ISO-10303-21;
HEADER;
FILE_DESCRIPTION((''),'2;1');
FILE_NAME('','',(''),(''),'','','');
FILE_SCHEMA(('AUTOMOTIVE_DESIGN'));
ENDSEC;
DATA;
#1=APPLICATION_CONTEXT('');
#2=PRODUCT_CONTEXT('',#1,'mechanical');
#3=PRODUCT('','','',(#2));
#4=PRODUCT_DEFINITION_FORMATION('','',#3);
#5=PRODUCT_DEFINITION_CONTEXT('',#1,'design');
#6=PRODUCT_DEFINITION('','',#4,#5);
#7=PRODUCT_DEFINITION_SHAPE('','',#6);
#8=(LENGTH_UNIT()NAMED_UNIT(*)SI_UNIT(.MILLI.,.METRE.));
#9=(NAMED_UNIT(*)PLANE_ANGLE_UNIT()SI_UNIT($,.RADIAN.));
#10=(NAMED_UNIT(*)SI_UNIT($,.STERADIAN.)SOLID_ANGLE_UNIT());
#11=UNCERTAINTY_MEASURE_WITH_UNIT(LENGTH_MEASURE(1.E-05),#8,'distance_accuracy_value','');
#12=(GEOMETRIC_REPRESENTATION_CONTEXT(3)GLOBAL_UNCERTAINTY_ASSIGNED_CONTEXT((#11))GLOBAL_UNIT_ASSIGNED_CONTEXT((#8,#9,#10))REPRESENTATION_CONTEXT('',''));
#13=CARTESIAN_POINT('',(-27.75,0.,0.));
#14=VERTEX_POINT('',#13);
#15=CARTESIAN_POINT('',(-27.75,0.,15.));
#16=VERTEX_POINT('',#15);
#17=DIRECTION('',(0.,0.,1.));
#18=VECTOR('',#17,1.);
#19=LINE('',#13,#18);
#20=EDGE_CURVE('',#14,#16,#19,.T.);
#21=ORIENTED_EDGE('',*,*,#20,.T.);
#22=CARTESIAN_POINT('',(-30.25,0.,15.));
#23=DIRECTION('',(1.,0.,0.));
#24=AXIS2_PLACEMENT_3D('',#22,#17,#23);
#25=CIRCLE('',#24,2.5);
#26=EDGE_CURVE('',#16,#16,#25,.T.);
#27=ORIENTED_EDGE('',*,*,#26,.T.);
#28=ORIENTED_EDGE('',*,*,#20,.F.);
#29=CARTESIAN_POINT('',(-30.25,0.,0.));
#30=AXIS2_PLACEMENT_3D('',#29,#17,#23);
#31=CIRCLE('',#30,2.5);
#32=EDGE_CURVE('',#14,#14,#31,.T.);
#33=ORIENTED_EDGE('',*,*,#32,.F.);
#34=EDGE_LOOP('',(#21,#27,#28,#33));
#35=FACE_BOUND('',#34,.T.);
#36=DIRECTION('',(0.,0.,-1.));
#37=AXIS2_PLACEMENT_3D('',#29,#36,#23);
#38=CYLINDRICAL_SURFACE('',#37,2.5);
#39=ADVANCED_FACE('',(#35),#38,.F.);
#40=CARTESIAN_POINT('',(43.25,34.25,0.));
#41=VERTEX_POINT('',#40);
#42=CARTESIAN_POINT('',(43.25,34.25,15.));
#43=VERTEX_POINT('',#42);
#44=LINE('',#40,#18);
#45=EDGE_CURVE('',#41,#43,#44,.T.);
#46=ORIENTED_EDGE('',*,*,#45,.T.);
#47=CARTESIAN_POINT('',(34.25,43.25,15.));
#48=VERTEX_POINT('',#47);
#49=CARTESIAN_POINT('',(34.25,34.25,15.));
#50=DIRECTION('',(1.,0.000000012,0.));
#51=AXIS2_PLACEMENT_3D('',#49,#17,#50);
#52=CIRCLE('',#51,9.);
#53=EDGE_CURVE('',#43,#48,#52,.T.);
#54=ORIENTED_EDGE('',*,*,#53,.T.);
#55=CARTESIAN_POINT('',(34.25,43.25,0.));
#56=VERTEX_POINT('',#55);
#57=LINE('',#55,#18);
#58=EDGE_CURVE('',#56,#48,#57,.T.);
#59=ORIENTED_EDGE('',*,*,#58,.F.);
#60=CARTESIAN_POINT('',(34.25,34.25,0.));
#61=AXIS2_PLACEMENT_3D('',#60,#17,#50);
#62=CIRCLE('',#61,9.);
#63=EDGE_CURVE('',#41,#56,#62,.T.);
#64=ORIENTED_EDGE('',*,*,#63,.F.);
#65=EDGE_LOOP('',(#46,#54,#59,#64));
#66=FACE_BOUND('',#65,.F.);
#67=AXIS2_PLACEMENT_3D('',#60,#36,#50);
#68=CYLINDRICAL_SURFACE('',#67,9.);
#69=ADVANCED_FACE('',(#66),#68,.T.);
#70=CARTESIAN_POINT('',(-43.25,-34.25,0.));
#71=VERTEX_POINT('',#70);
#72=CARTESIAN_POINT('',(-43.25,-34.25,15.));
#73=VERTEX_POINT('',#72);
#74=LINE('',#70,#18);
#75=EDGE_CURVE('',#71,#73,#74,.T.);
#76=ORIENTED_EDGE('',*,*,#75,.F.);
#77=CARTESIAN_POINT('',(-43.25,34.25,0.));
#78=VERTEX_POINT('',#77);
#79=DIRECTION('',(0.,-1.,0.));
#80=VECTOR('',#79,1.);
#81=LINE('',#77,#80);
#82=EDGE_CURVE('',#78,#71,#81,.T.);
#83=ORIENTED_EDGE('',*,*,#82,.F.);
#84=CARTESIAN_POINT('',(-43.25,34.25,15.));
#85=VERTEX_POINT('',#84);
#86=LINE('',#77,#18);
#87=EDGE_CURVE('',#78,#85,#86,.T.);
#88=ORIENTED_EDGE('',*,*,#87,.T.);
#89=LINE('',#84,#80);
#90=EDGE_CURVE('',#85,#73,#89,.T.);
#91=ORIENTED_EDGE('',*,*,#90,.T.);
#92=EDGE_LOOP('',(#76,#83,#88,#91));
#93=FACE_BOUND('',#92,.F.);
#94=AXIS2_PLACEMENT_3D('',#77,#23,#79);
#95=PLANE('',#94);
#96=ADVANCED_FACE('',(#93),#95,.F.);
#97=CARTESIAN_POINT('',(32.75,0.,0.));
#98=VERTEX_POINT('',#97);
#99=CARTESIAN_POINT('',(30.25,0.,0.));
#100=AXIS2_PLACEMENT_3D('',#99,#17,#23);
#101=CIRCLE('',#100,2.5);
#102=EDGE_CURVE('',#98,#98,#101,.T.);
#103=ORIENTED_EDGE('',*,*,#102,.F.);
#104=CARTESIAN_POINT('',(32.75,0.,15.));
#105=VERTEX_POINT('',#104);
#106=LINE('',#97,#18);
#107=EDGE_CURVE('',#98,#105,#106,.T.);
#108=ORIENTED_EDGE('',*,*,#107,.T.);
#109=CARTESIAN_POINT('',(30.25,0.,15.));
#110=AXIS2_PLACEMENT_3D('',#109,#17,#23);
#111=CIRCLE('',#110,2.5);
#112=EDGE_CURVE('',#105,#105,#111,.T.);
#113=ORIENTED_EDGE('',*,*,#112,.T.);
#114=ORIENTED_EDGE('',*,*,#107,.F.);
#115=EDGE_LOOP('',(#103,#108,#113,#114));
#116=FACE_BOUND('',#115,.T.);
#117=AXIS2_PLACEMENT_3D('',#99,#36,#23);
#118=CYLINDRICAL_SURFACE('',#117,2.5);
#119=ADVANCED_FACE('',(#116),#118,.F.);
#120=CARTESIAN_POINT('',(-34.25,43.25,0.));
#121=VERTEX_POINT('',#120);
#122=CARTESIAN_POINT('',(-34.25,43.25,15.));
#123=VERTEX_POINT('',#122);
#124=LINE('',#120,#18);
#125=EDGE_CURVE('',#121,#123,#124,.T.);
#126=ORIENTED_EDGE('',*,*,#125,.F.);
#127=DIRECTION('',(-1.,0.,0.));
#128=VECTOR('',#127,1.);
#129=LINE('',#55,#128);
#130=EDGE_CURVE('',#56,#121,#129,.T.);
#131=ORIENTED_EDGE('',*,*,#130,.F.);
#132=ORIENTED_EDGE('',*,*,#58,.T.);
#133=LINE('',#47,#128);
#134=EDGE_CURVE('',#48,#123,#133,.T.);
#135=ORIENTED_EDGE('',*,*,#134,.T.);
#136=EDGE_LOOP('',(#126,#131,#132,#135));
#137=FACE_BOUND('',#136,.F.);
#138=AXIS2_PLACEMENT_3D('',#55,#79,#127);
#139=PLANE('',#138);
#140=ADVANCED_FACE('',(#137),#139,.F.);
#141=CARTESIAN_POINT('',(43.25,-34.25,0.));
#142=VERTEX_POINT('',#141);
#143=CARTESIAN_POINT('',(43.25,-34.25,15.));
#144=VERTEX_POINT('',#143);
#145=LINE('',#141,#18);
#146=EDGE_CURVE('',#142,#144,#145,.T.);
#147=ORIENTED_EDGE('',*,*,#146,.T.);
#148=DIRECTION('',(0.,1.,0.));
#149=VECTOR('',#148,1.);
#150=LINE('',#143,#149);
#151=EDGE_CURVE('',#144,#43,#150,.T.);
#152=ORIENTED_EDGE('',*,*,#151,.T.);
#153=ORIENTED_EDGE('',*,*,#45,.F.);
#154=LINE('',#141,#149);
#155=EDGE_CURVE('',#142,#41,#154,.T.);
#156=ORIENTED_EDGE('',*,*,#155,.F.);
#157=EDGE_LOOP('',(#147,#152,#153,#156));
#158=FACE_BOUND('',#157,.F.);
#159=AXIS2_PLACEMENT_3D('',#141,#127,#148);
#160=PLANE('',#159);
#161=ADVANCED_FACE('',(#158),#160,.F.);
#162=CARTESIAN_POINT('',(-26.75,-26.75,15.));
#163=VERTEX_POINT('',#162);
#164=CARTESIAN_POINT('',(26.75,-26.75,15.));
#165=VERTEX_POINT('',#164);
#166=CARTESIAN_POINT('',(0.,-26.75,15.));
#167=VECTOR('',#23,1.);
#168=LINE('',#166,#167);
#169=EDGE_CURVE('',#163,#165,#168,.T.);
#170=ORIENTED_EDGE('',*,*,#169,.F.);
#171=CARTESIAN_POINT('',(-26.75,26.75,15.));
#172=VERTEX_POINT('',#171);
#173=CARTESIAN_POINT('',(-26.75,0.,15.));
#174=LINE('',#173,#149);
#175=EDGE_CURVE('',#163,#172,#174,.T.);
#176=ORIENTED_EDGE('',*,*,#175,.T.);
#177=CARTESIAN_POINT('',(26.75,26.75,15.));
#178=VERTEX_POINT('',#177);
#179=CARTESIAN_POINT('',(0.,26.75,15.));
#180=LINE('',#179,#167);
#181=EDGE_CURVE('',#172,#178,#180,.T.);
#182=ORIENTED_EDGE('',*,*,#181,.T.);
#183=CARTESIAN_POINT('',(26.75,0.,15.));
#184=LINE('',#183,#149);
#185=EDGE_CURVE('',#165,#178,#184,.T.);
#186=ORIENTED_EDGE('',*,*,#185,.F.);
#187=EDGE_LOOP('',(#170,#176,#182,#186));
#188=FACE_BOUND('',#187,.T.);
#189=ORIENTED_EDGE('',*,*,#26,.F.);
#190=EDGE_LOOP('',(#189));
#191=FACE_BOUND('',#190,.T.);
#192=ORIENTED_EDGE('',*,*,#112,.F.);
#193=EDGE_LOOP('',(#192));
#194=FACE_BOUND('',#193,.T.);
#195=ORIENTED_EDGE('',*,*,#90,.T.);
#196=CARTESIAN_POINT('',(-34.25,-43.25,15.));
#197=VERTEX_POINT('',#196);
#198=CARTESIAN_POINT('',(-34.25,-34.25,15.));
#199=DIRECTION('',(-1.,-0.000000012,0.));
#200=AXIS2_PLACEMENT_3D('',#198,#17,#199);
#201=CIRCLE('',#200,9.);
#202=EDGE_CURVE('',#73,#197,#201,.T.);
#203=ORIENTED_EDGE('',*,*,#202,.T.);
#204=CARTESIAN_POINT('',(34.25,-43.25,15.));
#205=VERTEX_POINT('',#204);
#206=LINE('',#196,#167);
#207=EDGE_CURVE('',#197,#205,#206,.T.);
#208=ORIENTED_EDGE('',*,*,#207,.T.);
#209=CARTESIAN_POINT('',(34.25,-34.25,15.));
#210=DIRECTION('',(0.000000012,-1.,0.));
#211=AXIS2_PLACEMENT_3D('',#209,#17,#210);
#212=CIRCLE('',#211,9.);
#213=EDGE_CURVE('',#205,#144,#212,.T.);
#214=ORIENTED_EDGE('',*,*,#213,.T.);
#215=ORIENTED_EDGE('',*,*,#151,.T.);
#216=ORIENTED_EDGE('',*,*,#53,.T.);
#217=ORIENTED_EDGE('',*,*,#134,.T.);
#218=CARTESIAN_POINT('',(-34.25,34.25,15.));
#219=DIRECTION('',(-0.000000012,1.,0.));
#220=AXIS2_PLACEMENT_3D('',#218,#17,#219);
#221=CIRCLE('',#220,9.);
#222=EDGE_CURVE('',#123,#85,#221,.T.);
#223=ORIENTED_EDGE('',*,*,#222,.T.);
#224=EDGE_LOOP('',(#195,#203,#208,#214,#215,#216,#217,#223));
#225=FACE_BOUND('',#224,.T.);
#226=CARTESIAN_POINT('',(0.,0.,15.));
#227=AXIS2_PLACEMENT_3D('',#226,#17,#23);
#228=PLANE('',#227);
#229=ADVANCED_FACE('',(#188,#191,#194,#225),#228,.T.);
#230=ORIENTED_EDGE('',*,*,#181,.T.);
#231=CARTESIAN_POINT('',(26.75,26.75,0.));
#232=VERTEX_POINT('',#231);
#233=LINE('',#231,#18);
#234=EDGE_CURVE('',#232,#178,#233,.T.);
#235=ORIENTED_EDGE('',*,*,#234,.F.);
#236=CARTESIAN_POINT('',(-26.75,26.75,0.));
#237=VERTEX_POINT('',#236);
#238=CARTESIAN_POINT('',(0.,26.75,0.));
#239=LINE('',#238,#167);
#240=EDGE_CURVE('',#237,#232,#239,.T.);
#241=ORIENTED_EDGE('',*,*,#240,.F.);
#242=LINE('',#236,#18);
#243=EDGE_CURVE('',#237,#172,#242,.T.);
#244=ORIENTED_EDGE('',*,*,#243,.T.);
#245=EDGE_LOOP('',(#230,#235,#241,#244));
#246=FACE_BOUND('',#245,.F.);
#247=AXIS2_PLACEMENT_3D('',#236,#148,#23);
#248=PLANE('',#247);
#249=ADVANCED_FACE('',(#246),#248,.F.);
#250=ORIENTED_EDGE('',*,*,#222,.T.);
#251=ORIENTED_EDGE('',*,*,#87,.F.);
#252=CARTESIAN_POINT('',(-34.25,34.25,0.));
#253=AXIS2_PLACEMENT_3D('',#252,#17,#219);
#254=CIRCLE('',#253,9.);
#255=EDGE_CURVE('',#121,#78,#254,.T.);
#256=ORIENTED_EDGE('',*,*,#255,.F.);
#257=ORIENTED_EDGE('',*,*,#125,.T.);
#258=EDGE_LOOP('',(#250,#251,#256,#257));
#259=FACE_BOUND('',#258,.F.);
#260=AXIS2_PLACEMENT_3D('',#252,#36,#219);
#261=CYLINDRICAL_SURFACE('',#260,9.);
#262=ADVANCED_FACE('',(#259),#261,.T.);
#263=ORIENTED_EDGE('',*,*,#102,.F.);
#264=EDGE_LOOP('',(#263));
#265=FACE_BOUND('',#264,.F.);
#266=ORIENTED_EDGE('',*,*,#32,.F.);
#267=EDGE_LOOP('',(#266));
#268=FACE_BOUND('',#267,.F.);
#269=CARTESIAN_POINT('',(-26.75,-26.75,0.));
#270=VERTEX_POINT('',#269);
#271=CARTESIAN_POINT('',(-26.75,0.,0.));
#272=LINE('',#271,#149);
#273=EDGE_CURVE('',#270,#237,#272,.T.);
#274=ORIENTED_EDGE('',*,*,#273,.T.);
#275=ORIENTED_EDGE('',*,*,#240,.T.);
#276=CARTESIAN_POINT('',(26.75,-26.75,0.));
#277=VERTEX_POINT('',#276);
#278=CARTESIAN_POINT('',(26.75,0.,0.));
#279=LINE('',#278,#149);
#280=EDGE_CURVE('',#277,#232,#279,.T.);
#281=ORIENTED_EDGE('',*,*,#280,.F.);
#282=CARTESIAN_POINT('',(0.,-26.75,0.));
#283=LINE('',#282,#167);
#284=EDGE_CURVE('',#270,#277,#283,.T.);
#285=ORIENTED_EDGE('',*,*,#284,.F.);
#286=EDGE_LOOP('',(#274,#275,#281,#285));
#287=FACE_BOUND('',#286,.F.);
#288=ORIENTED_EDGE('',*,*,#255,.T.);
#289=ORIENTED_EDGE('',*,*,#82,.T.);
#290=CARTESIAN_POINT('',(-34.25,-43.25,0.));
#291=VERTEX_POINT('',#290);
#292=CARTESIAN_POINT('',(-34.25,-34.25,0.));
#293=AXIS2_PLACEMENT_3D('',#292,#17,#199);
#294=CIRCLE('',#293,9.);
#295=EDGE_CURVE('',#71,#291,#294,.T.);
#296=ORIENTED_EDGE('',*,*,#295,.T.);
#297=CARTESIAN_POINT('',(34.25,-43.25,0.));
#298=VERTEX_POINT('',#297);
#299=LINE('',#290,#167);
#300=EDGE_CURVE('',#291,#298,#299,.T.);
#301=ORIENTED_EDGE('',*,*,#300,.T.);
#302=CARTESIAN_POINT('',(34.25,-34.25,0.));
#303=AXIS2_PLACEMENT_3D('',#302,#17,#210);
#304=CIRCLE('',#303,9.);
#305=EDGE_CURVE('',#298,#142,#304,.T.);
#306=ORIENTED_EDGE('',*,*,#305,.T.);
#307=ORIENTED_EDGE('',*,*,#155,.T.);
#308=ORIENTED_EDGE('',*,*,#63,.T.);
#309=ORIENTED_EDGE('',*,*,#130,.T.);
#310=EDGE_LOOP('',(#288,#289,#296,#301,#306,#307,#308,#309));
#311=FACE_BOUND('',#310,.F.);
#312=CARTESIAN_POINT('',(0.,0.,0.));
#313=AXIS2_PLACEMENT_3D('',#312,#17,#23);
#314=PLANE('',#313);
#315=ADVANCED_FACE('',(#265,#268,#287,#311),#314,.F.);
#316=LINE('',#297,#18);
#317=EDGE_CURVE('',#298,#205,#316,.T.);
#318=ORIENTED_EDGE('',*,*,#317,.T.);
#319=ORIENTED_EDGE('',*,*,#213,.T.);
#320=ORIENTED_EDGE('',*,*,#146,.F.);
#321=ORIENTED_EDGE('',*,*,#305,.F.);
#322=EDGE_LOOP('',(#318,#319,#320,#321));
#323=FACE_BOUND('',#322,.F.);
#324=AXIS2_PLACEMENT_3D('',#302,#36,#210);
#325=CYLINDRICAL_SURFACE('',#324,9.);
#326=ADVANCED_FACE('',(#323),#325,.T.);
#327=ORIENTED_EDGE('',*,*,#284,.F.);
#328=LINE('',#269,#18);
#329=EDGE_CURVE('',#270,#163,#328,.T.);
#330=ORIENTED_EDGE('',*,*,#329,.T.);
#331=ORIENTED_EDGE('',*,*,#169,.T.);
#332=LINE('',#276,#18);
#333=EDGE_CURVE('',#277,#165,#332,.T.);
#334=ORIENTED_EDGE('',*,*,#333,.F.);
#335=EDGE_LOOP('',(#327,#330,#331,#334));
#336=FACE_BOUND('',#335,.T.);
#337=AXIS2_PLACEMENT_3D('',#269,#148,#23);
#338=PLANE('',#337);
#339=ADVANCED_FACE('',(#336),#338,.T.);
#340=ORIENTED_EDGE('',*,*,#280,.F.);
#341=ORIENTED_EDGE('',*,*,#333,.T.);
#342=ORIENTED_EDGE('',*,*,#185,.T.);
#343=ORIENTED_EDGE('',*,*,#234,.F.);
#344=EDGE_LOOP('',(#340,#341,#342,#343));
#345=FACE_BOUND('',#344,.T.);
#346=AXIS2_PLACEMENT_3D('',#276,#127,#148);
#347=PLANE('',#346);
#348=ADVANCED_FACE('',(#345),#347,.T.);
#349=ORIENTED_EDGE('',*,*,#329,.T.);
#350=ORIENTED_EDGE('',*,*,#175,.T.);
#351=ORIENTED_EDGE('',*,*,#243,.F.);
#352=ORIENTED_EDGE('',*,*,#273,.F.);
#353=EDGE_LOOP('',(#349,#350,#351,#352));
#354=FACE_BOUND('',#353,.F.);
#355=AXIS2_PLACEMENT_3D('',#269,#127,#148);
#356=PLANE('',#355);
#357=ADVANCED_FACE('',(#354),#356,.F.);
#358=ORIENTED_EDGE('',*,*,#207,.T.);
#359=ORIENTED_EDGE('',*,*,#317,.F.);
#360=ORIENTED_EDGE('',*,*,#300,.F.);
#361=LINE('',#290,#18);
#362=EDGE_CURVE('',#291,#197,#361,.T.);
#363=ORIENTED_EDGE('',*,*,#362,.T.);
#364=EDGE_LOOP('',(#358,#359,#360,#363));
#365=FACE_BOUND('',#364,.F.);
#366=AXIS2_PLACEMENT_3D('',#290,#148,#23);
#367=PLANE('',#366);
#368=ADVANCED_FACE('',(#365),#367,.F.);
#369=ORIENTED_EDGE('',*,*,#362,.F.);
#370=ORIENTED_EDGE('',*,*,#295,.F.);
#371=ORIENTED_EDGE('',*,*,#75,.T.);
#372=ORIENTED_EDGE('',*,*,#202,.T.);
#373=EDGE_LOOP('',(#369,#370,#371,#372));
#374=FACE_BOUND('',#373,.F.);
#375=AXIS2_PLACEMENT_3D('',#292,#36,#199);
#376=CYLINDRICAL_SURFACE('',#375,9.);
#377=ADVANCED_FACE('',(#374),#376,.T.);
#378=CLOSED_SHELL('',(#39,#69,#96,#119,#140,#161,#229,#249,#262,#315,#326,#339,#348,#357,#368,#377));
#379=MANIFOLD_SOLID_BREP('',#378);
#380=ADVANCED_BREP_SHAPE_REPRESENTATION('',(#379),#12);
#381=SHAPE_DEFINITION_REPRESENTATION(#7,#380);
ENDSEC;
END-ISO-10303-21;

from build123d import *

# Parameters (mm, degrees)
F0_R     = 2.5
F0_W     = 53.5
F0_H     = 53.5
F1_DEPTH = 15


with BuildPart() as f1:
    # F0 (on Top) → F1 (new body)
    with BuildSketch(Plane.XY):
        with BuildLine():
            Line((-34.25, -43.25), (34.25, -43.25))
            ThreePointArc((34.25, -43.25), (40.613961, -40.613961), (43.25, -34.25))
            Line((43.25, -34.25), (43.25, 34.25))
            ThreePointArc((43.25, 34.25), (40.613961, 40.613961), (34.25, 43.25))
            Line((34.25, 43.25), (-34.25, 43.25))
            ThreePointArc((-34.25, 43.25), (-40.613961, 40.613961), (-43.25, 34.25))
            Line((-43.25, 34.25), (-43.25, -34.25))
            ThreePointArc((-43.25, -34.25), (-40.613961, -40.613961), (-34.25, -43.25))
        make_face()
        with Locations((-30.25, 0)):
            Circle(F0_R, mode=Mode.SUBTRACT)
        Rectangle(F0_W, F0_H, mode=Mode.SUBTRACT)
        with Locations((30.25, 0)):
            Circle(F0_R, mode=Mode.SUBTRACT)
    extrude(amount=F1_DEPTH)


solid = f1.part
